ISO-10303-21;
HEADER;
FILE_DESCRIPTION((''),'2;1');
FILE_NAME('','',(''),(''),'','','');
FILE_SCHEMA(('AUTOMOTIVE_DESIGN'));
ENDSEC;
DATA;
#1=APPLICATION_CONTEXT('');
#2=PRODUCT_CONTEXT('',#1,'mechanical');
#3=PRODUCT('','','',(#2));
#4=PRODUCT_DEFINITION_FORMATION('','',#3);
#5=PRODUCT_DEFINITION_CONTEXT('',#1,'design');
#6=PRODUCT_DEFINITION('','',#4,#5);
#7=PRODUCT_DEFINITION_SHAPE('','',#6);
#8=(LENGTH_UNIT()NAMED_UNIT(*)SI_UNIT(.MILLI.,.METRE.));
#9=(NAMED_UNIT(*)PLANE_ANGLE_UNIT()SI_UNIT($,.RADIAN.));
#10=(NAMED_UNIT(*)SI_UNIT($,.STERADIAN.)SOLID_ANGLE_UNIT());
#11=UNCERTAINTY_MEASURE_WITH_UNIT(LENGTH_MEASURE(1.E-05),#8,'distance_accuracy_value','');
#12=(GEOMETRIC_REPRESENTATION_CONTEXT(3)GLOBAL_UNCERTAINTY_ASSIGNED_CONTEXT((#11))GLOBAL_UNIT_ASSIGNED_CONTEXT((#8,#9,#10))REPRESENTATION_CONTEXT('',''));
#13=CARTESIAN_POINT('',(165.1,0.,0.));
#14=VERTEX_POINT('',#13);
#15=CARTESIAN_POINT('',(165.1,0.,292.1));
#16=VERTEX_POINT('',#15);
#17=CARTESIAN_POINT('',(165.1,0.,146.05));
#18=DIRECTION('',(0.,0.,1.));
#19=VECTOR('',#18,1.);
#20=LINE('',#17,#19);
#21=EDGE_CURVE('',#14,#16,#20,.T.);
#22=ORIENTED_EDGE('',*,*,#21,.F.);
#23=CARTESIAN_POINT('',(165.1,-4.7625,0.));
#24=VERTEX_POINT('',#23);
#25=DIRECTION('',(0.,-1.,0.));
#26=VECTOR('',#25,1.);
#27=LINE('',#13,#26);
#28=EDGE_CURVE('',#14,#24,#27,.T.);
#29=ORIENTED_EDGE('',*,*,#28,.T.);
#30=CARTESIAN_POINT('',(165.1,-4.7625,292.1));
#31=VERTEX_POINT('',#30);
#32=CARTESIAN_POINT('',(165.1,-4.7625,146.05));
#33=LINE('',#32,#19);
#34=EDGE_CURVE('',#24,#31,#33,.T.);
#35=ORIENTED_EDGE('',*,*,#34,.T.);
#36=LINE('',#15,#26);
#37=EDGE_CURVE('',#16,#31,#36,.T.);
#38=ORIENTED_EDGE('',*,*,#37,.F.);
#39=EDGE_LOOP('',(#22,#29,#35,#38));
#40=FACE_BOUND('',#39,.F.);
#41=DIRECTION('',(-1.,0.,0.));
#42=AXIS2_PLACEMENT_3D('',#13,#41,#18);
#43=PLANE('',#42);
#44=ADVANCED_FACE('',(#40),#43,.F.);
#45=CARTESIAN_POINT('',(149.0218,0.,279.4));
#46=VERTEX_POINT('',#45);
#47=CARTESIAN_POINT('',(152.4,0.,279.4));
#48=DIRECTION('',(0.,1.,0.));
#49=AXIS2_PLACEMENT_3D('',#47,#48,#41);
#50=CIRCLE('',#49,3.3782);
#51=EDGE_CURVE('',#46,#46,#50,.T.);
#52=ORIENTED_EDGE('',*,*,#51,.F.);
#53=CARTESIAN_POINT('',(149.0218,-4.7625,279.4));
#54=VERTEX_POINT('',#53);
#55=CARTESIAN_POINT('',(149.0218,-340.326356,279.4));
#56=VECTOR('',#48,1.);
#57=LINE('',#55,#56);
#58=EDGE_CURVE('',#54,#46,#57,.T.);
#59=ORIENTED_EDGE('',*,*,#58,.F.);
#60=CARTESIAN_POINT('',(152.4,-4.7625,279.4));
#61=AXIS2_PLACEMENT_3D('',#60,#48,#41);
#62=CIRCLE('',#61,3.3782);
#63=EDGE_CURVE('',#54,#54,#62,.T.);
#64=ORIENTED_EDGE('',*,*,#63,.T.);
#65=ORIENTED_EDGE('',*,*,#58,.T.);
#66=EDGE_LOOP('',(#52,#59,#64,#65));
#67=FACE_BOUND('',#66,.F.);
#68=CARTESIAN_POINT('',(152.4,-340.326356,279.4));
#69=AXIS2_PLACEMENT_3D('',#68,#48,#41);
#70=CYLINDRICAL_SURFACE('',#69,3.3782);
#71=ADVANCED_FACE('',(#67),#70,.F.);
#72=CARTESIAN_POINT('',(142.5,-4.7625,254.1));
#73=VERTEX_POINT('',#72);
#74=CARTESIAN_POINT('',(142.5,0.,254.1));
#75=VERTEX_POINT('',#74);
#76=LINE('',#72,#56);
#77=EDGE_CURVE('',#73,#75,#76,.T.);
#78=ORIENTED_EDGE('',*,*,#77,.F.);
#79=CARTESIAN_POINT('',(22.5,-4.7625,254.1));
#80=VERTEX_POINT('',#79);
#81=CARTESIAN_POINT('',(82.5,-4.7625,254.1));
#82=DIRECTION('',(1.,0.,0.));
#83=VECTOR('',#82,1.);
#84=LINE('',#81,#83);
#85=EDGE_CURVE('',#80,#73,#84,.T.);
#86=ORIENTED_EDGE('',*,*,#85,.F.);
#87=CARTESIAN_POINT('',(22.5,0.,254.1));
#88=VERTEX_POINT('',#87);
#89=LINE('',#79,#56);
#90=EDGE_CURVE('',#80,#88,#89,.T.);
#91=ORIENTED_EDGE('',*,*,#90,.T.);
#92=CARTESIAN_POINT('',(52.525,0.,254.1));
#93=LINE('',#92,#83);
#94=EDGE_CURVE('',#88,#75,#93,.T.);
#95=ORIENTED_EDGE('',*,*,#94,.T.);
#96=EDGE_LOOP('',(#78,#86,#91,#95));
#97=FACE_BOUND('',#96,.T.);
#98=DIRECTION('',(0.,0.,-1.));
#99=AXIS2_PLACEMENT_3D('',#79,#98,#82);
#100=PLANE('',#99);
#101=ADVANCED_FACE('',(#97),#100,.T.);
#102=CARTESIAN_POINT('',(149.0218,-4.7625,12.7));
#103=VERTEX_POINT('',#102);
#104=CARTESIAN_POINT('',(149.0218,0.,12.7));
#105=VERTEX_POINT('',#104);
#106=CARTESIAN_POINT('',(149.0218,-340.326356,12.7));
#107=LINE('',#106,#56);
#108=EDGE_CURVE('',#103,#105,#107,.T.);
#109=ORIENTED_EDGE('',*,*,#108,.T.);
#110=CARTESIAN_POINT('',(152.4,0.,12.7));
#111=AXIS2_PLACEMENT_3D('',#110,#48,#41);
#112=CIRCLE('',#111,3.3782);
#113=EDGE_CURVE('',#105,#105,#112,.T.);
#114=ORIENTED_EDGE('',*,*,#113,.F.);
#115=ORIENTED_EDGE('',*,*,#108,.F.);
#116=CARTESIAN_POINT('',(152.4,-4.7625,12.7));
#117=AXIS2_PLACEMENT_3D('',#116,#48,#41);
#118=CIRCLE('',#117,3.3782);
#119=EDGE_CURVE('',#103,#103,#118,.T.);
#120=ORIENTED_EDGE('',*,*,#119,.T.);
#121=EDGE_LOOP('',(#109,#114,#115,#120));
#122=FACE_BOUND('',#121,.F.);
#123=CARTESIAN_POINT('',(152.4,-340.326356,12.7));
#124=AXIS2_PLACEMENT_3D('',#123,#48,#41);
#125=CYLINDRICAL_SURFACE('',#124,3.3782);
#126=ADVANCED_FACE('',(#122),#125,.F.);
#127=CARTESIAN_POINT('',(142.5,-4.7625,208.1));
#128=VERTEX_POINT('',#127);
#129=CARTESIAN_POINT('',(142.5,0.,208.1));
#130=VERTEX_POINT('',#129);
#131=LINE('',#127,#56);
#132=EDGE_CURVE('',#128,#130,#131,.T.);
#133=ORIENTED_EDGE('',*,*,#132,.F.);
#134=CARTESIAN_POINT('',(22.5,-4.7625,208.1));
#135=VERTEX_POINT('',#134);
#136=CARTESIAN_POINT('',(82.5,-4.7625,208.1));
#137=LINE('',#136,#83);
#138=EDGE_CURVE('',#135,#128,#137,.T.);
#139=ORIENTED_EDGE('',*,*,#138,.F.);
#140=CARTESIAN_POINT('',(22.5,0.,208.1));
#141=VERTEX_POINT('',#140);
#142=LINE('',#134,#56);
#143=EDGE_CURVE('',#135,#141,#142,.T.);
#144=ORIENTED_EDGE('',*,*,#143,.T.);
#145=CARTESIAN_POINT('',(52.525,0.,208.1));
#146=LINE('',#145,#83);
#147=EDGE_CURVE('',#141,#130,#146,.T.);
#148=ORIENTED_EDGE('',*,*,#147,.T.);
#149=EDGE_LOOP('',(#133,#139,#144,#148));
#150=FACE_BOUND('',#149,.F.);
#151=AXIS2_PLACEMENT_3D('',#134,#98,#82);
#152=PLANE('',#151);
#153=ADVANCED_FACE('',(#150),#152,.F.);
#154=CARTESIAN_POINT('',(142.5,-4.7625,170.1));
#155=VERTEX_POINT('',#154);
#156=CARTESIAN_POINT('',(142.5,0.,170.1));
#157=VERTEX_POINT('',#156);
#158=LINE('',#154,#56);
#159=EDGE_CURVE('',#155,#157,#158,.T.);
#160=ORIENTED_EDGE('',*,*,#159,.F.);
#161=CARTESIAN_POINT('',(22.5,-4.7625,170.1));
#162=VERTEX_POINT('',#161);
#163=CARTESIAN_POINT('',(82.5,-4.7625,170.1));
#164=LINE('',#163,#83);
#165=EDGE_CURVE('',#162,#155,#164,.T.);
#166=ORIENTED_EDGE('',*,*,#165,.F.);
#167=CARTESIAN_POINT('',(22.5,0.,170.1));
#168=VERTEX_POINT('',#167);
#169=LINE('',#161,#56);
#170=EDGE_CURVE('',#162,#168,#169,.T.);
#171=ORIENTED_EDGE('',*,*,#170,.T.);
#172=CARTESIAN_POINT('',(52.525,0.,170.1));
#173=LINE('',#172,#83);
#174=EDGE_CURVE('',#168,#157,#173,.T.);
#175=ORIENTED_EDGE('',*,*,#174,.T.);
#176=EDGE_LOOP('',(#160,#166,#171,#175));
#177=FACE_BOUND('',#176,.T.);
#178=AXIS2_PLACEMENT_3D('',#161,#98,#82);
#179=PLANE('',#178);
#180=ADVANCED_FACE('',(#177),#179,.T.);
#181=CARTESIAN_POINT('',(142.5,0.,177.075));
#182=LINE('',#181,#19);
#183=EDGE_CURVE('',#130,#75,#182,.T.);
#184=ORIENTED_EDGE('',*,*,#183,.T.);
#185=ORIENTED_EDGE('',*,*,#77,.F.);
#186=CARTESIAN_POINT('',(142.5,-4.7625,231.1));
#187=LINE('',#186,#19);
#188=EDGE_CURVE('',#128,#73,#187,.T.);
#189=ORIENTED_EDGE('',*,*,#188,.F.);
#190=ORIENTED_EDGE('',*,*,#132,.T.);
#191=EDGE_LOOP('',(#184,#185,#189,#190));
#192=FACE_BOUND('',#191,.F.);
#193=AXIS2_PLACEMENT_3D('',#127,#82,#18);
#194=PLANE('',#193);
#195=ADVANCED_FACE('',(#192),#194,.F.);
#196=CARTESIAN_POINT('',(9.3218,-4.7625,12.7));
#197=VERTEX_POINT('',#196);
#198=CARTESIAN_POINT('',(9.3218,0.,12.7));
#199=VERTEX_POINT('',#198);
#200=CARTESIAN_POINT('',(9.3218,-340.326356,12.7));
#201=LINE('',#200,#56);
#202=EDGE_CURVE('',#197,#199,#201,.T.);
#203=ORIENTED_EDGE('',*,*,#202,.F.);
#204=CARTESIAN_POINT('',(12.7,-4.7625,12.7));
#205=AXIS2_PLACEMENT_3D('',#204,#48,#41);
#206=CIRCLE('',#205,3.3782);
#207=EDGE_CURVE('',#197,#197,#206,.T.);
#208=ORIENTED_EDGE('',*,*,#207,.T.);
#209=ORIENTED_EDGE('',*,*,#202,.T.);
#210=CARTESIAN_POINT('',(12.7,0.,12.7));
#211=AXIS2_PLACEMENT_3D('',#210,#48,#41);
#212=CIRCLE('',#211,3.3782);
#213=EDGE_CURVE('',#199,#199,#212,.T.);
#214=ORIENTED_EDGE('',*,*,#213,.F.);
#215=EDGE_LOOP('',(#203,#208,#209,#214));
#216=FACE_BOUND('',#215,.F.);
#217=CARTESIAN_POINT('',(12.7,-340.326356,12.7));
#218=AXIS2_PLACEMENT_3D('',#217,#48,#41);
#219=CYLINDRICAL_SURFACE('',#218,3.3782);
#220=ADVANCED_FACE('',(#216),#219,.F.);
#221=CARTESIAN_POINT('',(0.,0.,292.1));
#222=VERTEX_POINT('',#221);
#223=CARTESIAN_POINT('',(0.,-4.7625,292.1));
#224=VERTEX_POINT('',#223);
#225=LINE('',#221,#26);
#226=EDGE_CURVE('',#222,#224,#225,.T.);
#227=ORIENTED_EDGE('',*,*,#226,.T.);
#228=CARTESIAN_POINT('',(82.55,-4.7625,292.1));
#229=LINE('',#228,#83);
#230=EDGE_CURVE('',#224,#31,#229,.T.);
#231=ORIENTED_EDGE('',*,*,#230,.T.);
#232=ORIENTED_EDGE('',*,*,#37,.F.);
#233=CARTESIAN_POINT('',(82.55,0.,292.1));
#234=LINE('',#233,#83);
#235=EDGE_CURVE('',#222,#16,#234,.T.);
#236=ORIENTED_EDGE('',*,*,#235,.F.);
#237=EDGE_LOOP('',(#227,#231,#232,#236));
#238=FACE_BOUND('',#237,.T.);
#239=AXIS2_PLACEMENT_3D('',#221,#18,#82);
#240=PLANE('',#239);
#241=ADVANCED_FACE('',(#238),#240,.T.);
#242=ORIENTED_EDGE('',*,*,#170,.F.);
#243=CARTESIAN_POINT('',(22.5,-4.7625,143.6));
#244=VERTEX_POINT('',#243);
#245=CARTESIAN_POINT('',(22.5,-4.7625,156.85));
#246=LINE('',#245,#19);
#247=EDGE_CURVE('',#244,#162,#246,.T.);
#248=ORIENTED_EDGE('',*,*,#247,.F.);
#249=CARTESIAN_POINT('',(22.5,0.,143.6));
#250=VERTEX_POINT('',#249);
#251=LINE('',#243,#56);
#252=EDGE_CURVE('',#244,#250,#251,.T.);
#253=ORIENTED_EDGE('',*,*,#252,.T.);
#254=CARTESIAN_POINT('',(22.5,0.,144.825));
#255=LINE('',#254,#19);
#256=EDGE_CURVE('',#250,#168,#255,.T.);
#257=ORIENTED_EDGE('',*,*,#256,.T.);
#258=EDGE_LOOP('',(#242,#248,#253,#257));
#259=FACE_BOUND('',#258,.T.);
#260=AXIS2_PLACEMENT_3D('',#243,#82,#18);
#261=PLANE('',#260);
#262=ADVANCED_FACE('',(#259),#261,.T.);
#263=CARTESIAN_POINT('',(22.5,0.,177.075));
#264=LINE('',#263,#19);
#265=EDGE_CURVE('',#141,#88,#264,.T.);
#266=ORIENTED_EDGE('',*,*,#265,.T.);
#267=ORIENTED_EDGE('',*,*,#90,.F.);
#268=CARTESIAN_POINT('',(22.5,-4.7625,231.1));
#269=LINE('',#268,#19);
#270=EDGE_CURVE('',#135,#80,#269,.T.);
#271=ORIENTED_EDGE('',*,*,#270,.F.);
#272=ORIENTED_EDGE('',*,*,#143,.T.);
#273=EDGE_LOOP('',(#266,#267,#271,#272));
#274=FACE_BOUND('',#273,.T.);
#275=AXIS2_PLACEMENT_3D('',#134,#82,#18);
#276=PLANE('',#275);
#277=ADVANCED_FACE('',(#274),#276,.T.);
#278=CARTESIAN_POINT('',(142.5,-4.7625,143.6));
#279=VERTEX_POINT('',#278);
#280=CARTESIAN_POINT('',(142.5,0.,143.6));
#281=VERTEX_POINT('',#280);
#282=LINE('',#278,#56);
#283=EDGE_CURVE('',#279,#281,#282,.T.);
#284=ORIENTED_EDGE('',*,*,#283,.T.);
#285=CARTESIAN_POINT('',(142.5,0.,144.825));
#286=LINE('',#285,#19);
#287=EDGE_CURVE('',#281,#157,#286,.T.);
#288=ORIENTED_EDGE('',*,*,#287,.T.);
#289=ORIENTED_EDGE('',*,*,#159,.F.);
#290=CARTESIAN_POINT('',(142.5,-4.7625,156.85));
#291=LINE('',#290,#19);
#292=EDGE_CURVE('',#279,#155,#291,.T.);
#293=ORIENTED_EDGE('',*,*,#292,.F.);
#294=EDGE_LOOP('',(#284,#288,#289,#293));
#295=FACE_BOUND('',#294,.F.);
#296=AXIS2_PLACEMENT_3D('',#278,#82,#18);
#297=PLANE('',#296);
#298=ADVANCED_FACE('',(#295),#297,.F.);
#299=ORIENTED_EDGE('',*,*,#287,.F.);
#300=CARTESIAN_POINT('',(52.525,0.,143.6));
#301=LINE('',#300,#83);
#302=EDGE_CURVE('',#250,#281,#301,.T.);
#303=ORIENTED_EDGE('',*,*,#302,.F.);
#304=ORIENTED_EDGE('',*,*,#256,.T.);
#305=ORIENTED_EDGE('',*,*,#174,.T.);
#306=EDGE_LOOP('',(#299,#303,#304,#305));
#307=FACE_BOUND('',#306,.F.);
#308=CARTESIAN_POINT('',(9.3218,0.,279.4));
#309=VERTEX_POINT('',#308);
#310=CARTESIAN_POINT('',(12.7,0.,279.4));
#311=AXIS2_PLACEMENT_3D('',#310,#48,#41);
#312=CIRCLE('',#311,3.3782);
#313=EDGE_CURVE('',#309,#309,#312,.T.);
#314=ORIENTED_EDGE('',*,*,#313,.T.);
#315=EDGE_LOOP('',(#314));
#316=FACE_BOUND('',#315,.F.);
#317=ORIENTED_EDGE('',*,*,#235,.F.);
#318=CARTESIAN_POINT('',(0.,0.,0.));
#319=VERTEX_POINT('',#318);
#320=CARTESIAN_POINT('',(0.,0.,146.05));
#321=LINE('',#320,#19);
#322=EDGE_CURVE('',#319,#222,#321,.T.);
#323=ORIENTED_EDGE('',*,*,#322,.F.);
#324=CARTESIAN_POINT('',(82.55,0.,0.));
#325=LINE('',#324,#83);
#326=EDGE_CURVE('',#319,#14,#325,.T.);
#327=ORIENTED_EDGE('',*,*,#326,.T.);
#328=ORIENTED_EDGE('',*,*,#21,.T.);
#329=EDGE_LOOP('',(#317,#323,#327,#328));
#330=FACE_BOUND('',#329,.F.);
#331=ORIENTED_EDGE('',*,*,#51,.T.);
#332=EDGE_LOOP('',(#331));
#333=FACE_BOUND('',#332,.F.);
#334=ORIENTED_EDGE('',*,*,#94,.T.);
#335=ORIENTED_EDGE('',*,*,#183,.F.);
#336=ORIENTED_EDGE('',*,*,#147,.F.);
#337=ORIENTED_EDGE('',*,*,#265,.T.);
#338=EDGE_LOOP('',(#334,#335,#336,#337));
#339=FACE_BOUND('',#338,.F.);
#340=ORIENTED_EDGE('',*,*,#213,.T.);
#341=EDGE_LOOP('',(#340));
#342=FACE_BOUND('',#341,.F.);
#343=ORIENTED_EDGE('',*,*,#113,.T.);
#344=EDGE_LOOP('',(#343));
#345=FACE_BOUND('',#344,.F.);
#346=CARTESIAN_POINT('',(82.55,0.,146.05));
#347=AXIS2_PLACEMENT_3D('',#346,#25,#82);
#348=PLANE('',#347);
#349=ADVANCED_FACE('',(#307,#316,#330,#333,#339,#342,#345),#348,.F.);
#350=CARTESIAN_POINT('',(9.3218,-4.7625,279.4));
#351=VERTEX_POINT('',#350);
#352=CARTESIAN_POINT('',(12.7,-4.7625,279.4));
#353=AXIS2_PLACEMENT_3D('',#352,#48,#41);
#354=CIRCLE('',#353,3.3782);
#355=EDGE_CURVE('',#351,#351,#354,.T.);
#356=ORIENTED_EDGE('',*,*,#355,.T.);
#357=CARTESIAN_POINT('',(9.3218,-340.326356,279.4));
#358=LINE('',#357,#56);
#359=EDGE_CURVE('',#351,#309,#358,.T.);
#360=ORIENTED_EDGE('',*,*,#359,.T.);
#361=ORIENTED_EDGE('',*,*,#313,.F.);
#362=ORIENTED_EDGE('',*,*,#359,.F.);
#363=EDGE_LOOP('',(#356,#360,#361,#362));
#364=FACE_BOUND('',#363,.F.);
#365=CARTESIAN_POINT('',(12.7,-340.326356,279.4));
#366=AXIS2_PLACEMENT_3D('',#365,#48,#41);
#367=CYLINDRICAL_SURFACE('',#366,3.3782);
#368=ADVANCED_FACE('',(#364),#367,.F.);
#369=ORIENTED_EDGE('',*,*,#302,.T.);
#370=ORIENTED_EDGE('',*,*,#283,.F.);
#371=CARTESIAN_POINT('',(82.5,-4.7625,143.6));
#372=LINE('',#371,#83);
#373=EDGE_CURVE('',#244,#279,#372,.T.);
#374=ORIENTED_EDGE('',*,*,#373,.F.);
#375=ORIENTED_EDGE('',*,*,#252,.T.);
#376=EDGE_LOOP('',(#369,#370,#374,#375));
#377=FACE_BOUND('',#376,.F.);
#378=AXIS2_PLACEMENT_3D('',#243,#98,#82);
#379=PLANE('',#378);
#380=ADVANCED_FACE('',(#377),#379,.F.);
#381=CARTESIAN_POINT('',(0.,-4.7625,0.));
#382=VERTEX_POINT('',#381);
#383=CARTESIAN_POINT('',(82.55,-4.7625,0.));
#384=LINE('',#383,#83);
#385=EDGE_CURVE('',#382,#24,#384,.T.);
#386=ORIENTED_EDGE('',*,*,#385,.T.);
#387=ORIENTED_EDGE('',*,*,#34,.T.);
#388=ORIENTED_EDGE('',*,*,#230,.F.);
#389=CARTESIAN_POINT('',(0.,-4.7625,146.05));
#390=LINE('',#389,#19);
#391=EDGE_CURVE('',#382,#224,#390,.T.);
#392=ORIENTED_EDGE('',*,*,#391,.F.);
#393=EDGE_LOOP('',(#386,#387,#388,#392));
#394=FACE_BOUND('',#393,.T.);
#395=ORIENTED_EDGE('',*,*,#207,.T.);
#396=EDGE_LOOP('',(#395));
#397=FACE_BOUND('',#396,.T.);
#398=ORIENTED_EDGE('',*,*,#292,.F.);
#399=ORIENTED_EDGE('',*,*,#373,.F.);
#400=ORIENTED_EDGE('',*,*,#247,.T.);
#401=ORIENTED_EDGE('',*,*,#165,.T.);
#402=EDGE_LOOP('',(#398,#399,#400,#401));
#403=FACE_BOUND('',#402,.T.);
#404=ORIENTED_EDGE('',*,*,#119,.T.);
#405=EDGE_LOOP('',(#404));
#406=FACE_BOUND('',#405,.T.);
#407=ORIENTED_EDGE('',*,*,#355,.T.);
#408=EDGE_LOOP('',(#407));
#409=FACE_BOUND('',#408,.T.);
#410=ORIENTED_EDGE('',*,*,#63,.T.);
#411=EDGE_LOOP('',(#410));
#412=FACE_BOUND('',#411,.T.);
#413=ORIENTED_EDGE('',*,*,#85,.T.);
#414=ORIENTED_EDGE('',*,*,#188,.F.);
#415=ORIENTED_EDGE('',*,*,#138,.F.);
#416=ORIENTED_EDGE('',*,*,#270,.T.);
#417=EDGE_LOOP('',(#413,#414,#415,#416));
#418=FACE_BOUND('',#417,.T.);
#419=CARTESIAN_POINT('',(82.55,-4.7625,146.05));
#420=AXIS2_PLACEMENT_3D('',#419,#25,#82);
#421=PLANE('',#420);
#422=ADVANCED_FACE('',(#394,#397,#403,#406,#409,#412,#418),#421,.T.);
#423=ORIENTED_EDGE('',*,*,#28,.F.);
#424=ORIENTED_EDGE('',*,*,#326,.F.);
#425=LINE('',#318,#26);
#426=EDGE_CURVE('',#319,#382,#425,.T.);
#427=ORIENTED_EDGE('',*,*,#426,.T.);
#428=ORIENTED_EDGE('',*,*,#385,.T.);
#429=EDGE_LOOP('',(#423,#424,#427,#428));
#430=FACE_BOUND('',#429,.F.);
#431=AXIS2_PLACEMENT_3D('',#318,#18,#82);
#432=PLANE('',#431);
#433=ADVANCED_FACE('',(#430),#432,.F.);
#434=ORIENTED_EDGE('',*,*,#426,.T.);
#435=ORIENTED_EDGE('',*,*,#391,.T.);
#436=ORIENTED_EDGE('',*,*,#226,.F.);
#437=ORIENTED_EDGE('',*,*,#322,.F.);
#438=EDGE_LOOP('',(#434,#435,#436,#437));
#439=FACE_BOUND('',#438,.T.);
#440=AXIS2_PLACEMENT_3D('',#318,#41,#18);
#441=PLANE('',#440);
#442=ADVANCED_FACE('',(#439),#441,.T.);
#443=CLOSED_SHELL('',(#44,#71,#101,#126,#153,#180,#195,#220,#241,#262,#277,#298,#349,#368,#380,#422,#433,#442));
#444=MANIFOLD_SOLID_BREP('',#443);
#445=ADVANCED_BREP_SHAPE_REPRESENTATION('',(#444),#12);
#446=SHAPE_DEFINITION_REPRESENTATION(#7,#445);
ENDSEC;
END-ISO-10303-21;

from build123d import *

# Parameters (mm, degrees)
F0_W     = 165.1
F0_H     = 292.1
F1_DEPTH = 4.7625
F3_D     = 6.7564
F4_W     = 120
F4_H     = 46
F4_H_2   = 26.5
F5_DEPTH = 4.7635


with BuildPart() as f1:
    # F0 (on Front) → F1 (new body)
    with BuildSketch(Plane.XZ):
        with Locations((82.55, 146.05)):
            Rectangle(F0_W, F0_H)
    extrude(amount=F1_DEPTH)

    # F3 (through all)
    with Locations(Plane.XZ.offset(4.7625)):
        with Locations((12.7, 279.4), (152.4, 279.4), (12.7, 12.7), (152.4, 12.7)):
            Hole(F3_D / 2)

    # F4 (on face) → F5 (cut, through all)
    with BuildSketch(Plane.XZ.offset(4.7625)):
        with Locations((82.5, 231.1)):
            Rectangle(F4_W, F4_H)
        with Locations((82.5, 156.85)):
            Rectangle(F4_W, F4_H_2)
    extrude(amount=-F5_DEPTH, mode=Mode.SUBTRACT)


solid = f1.part
